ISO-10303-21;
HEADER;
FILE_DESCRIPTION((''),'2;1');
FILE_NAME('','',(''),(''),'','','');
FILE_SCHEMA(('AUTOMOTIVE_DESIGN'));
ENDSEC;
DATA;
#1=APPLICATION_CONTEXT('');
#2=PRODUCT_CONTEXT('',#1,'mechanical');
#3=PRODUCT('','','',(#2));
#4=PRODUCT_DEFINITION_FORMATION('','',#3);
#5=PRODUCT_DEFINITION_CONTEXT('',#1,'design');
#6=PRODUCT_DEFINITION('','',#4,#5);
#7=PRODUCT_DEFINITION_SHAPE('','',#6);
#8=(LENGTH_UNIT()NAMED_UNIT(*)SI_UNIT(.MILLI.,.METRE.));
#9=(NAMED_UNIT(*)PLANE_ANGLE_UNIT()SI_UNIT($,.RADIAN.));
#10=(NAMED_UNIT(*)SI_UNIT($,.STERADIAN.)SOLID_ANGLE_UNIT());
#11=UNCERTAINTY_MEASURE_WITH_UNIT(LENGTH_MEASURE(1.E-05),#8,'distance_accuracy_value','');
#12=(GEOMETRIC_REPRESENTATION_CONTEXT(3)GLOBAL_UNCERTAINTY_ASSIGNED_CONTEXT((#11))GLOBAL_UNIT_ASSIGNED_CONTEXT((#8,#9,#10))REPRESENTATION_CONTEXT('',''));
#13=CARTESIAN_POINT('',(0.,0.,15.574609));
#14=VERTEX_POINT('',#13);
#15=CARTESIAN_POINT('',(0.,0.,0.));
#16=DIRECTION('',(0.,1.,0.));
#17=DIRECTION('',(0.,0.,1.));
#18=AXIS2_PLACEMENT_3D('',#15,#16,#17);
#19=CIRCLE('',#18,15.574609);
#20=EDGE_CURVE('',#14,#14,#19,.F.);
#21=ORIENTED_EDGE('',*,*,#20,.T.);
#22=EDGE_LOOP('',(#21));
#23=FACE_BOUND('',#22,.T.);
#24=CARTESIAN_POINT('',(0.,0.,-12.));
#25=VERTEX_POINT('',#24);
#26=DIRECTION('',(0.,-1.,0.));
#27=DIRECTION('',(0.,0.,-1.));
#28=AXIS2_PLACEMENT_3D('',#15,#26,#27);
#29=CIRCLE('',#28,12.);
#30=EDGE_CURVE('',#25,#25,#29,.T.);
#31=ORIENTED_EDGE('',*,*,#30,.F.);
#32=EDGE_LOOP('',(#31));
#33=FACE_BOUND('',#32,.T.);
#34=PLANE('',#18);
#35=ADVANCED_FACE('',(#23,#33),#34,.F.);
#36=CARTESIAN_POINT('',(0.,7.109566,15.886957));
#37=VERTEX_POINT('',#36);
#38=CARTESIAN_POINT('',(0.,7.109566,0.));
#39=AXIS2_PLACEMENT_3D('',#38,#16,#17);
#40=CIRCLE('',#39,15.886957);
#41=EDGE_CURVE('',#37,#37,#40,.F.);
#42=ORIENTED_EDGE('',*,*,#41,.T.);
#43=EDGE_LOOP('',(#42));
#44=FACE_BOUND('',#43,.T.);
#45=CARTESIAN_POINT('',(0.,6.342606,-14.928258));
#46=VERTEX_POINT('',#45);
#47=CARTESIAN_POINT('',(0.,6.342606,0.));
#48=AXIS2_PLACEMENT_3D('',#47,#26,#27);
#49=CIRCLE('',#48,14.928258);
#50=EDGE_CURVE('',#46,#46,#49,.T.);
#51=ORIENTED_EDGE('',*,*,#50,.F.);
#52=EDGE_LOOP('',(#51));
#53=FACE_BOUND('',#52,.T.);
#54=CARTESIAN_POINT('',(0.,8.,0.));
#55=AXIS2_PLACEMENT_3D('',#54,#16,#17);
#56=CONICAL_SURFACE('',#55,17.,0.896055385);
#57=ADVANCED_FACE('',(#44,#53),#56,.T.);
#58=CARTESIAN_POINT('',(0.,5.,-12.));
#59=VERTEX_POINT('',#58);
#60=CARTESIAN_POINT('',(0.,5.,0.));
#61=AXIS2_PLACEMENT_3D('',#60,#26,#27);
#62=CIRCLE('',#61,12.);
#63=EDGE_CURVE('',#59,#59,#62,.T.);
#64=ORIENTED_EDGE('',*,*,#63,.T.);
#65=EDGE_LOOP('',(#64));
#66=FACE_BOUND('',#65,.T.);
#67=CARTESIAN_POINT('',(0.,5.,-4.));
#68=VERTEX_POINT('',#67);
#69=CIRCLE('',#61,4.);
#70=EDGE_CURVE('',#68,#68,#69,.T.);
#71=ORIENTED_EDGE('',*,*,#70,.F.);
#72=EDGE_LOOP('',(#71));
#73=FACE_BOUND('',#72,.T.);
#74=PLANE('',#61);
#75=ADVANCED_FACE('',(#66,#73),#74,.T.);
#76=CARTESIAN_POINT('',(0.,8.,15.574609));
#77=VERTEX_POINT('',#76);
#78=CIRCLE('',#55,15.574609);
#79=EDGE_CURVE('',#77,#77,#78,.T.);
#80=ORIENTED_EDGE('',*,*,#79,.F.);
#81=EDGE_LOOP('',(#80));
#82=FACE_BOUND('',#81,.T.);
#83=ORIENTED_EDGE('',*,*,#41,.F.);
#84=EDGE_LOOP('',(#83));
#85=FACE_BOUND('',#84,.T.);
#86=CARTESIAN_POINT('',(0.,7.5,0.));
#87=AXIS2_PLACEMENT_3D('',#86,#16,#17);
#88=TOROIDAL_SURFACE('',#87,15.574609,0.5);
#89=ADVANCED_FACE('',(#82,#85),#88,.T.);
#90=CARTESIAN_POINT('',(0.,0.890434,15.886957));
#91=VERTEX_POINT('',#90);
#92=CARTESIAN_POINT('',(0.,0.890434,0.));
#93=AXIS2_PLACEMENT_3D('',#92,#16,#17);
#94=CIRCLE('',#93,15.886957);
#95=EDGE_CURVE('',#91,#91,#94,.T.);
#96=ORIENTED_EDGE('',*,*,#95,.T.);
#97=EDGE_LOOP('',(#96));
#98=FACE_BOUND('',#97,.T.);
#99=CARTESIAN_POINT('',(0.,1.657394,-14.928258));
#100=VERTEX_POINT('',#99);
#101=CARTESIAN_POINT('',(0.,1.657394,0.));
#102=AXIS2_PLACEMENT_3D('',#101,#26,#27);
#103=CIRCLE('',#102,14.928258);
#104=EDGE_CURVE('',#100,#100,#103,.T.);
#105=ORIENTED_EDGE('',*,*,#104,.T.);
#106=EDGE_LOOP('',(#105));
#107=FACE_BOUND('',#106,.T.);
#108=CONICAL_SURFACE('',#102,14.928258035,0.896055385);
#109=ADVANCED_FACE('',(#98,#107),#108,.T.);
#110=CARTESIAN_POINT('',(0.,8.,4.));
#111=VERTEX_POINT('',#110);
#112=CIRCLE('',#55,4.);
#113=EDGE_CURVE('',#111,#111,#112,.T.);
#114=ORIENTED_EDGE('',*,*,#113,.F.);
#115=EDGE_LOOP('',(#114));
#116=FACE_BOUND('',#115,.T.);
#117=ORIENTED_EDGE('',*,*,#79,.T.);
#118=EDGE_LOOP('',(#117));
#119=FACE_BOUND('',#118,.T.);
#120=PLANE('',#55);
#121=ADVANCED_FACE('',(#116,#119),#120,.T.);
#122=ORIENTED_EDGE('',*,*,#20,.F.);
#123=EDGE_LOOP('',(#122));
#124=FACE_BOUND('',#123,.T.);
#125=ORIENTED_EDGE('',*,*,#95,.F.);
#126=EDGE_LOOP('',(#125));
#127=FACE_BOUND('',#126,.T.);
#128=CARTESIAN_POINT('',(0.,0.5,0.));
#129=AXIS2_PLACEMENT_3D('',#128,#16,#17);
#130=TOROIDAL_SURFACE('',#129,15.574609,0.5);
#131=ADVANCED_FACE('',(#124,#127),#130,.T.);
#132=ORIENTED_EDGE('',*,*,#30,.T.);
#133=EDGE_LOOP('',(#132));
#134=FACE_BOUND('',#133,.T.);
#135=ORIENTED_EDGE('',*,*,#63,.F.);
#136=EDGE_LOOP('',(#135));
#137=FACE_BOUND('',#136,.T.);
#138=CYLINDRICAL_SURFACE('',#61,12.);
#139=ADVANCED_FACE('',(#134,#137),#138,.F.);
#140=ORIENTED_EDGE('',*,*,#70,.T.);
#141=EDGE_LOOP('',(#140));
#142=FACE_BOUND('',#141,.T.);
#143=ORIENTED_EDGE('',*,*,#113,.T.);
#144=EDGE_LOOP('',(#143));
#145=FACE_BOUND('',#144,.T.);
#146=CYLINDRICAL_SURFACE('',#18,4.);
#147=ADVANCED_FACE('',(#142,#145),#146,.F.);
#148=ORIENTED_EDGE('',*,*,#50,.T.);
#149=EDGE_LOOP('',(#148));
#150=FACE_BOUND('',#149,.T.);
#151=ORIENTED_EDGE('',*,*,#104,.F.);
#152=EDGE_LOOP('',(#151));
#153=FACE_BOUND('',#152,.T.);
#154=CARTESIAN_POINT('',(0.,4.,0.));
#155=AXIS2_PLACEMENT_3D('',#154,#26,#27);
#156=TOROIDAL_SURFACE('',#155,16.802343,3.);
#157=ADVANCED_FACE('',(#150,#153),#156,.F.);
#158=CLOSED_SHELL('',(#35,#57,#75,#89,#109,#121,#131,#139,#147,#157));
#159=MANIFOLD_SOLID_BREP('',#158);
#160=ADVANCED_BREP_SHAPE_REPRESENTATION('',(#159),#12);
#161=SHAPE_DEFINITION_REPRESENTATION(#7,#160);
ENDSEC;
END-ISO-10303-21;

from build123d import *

# Parameters (mm, degrees)
SKETCH_1_R          = 17
EXTRUDE_1_DEPTH     = 8
SKETCH_2_R          = 12
CUT_EXTRUDE_2_DEPTH = 5
FILLET_1_R          = 0.5
SKETCH_5_R          = 4
CUT_EXTRUDE_3_DEPTH = 25.099505092


with BuildPart() as part:
    # Эскиз1 → Вытянуть1 (new body)
    with BuildSketch(Plane(origin=(0, 0, 0), x_dir=(1, 0, 0), z_dir=(0, 1, 0))):
        with Locations(Location((0, 0, 0), (0, 0, 270))):
            Circle(SKETCH_1_R)
    extrude(amount=EXTRUDE_1_DEPTH)

    # Эскиз2 → Вытянуть2 (cut)
    with BuildSketch(Plane.XZ):
        with Locations(Location((0, 0, 0), (0, 0, 270))):
            Circle(SKETCH_2_R)
    extrude(amount=-CUT_EXTRUDE_2_DEPTH, mode=Mode.SUBTRACT)

    # Эскиз4 → Вырез-Повернуть1 (revolve, cut)
    with BuildSketch(Plane(origin=(0, 0, 0), x_dir=(0, 0, -1), z_dir=(1, 0, 0))):
        with BuildLine():
            Line((17, 8), (14.928258035, 6.342606428))
            ThreePointArc((14.928258035, 6.342606428), (13.802343178, 4), (14.928258035, 1.657393572))
            Line((14.928258035, 1.657393572), (17, 0))
            Line((17, 0), (17, 8))
        make_face()
    revolve(axis=Axis((0, 11, 0), (0, 1, 0)), mode=Mode.SUBTRACT)

    # Скругление1
    fillet_1_edges = [part.edges().sort_by_distance(p)[0] for p in [
        (0, 8, 17),
        (0, 0, 17),
    ]]
    fillet(fillet_1_edges, radius=FILLET_1_R)

    # Эскиз5 → Вытянуть3 (cut, through all)
    with BuildSketch(Plane(origin=(0, 8, 0), x_dir=(1, 0, 0), z_dir=(0, 1, 0))):
        with Locations(Location((0, 0, 0), (0, 0, 270))):
            Circle(SKETCH_5_R)
    extrude(amount=-CUT_EXTRUDE_3_DEPTH, mode=Mode.SUBTRACT)


solid = part.part
